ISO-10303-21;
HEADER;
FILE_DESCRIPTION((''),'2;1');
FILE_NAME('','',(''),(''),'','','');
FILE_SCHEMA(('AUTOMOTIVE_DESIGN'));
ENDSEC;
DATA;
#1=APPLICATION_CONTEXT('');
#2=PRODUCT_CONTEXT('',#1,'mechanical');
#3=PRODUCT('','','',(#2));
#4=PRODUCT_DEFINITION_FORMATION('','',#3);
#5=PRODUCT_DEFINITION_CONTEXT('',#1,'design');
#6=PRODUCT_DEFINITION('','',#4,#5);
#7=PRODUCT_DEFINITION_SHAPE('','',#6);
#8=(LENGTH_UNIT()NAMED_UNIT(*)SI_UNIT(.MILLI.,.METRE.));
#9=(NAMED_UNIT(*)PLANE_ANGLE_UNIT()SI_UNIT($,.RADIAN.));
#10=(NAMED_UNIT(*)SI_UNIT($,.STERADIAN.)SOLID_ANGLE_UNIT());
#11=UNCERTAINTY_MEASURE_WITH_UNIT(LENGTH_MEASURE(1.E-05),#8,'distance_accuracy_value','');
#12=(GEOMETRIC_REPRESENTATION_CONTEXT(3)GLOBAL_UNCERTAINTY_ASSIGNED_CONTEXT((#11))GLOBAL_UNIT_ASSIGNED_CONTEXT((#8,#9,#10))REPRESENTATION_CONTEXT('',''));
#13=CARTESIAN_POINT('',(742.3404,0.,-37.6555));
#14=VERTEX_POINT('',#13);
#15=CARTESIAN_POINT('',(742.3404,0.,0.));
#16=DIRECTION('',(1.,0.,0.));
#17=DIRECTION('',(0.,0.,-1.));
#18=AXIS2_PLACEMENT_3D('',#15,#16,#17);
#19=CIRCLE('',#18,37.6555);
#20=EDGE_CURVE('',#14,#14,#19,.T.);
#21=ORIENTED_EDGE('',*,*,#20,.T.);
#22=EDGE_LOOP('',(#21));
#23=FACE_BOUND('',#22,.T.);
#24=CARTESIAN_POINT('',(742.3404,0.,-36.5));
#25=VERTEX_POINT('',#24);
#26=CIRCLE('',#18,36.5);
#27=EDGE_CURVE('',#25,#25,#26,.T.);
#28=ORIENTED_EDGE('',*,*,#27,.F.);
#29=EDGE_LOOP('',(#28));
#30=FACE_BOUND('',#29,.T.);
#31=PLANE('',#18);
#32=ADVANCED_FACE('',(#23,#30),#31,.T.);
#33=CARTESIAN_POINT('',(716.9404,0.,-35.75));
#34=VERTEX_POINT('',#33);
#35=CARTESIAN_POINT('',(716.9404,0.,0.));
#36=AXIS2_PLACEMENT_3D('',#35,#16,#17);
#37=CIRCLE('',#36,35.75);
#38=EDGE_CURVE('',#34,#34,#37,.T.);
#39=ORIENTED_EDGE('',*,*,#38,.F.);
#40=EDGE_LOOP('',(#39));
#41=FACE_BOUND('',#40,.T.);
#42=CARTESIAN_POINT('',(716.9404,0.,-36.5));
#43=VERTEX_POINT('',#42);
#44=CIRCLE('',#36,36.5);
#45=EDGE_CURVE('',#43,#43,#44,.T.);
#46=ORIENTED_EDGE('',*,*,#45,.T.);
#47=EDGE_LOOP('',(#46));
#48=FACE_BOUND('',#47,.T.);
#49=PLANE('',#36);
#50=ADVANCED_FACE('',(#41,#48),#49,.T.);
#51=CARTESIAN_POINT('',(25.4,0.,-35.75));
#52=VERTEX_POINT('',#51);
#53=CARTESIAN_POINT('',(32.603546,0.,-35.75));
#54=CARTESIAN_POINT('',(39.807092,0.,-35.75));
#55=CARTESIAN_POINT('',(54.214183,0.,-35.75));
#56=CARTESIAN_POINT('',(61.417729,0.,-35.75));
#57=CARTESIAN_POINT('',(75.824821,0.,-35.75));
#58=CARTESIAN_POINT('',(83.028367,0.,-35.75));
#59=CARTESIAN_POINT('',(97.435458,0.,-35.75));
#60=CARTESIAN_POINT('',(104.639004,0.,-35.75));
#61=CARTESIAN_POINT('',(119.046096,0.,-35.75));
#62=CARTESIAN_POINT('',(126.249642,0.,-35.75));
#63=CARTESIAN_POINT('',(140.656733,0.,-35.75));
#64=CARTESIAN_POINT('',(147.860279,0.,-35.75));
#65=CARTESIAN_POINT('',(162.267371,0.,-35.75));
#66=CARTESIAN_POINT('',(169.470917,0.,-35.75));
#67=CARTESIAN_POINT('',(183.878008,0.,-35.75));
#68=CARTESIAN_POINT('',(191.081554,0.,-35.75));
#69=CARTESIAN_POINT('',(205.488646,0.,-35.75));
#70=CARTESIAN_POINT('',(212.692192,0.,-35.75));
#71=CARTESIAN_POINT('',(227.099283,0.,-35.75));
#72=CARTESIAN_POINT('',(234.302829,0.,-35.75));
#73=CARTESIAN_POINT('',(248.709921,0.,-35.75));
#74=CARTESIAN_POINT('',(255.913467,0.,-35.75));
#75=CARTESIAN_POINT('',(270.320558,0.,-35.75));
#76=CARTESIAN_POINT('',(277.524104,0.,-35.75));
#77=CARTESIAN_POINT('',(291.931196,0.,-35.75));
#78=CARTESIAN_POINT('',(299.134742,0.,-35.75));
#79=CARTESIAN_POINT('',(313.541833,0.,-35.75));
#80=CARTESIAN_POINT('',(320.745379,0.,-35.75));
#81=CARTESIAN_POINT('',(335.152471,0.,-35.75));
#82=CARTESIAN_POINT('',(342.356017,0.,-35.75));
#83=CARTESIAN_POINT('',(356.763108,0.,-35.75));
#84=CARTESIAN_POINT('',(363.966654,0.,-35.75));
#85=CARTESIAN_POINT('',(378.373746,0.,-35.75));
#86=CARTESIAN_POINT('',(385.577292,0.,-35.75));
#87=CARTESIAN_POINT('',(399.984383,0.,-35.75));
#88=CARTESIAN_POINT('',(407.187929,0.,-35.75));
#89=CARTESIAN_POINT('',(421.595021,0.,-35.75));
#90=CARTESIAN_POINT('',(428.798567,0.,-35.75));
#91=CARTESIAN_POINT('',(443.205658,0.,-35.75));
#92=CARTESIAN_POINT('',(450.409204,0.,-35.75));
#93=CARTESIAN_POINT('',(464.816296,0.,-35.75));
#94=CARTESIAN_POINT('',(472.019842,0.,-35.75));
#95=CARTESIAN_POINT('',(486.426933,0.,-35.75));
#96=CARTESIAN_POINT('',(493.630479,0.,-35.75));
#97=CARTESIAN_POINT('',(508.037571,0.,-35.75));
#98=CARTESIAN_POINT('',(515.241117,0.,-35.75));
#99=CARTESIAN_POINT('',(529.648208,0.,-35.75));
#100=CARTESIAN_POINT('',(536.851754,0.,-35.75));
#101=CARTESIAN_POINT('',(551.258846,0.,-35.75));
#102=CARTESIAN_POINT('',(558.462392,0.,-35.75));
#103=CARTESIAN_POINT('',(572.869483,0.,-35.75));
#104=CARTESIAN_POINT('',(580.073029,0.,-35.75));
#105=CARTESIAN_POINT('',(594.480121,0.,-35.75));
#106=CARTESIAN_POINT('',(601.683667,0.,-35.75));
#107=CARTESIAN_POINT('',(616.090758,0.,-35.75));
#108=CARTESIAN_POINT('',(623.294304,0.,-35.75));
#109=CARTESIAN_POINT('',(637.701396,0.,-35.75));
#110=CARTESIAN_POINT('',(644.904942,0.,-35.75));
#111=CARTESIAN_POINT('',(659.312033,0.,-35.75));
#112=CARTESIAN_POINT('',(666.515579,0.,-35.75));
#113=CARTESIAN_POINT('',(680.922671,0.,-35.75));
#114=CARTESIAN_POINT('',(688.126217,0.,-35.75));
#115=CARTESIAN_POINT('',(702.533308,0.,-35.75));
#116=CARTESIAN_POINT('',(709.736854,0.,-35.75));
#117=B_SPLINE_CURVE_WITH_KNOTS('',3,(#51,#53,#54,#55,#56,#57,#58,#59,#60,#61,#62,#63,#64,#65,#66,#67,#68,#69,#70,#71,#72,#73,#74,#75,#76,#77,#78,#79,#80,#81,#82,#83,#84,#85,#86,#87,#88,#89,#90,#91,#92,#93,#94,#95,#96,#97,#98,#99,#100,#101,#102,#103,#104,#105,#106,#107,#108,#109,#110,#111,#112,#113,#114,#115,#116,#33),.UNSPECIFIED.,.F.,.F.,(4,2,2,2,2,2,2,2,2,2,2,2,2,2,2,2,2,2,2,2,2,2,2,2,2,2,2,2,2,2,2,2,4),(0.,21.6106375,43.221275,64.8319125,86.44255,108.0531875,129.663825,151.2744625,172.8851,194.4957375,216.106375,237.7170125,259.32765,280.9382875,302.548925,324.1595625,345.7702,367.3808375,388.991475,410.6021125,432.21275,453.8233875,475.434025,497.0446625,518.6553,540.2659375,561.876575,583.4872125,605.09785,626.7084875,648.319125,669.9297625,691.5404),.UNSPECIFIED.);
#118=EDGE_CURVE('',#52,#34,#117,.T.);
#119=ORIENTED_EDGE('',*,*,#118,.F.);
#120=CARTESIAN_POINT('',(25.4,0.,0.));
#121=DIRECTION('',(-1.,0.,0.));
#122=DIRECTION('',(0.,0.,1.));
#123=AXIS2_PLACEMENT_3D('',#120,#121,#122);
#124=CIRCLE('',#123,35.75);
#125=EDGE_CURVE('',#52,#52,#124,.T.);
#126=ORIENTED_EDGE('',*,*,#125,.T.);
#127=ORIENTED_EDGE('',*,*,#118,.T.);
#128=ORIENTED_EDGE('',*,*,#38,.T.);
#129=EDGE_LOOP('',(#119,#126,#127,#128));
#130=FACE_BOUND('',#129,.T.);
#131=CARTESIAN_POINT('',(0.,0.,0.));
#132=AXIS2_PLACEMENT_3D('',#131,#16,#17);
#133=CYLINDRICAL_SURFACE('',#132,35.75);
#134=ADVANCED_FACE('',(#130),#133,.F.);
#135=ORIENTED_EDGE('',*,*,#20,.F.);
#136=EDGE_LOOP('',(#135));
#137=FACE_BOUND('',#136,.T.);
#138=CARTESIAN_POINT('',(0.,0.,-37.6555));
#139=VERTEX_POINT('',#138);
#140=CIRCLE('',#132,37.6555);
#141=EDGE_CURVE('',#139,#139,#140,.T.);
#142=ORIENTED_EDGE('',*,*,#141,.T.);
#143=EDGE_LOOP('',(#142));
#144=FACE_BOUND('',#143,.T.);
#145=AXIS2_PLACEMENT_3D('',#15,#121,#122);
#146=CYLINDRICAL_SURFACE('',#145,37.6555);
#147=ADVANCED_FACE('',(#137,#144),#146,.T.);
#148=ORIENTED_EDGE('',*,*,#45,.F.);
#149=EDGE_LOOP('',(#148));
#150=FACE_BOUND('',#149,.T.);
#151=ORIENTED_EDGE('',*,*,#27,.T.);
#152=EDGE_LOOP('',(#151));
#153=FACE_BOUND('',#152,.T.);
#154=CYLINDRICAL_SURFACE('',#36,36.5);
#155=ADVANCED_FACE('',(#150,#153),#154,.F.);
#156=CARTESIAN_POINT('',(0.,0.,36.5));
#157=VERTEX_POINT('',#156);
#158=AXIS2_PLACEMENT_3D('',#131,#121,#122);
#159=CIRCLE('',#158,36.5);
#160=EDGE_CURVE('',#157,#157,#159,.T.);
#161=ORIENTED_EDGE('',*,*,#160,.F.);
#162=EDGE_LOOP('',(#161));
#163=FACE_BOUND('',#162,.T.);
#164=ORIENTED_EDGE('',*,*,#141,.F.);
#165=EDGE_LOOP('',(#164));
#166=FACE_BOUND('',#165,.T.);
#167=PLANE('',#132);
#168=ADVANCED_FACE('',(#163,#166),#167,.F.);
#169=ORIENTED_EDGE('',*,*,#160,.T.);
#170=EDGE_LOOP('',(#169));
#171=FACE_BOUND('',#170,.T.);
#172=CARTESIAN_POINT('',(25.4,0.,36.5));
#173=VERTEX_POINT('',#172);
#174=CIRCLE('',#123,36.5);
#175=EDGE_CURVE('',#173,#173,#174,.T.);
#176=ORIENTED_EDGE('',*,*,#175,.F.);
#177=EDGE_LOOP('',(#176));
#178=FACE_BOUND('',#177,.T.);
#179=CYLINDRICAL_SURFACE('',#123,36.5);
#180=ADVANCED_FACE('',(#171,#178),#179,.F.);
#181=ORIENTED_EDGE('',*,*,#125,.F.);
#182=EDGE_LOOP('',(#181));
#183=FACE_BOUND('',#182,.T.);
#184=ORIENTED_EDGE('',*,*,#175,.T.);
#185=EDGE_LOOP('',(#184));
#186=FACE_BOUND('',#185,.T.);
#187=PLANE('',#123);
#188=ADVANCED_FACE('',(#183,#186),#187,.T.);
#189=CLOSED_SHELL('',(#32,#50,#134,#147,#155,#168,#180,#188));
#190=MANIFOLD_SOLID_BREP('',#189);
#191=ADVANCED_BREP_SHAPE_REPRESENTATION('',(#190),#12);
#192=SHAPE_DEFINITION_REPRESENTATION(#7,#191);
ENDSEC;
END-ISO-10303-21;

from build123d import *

# Parameters (mm, degrees)
SKETCH1_R           = 37.6555
BOSS_EXTRUDE1_DEPTH = 742.3404
SKETCH4_R           = 36.5
CUT_EXTRUDE2_DEPTH  = 25.4
CUT_EXTRUDE3_START  = -25.4
SKETCH5_R           = 36.5
CUT_EXTRUDE3_DEPTH  = 25.4
SKETCH6_R           = 35.75
CUT_EXTRUDE4_DEPTH  = 719.915440447


with BuildPart() as part:
    # Sketch1 → Boss-Extrude1 (new body)
    with BuildSketch(Plane(origin=(0, 0, 0), x_dir=(0, 0, -1), z_dir=(1, 0, 0))):
        Circle(SKETCH1_R)
    extrude(amount=BOSS_EXTRUDE1_DEPTH)

    # Sketch4 → Cut-Extrude2 (cut)
    with BuildSketch(Plane(origin=(742.3404, 0, 0), x_dir=(0, 0, -1), z_dir=(1, 0, 0))):
        Circle(SKETCH4_R)
    extrude(amount=-CUT_EXTRUDE2_DEPTH, mode=Mode.SUBTRACT)

    # Sketch5 → Cut-Extrude3 (cut)
    with BuildSketch(Plane.ZY.offset(CUT_EXTRUDE3_START)):
        with Locations(Location((0, 0, 0), (0, 0, 180))):
            Circle(SKETCH5_R)
    extrude(amount=CUT_EXTRUDE3_DEPTH, mode=Mode.SUBTRACT)

    # Sketch6 → Cut-Extrude4 (cut, through all)
    with BuildSketch(Plane(origin=(716.9404, 0, 0), x_dir=(0, 0, -1), z_dir=(1, 0, 0))):
        Circle(SKETCH6_R)
    extrude(amount=-CUT_EXTRUDE4_DEPTH, mode=Mode.SUBTRACT)


solid = part.part
